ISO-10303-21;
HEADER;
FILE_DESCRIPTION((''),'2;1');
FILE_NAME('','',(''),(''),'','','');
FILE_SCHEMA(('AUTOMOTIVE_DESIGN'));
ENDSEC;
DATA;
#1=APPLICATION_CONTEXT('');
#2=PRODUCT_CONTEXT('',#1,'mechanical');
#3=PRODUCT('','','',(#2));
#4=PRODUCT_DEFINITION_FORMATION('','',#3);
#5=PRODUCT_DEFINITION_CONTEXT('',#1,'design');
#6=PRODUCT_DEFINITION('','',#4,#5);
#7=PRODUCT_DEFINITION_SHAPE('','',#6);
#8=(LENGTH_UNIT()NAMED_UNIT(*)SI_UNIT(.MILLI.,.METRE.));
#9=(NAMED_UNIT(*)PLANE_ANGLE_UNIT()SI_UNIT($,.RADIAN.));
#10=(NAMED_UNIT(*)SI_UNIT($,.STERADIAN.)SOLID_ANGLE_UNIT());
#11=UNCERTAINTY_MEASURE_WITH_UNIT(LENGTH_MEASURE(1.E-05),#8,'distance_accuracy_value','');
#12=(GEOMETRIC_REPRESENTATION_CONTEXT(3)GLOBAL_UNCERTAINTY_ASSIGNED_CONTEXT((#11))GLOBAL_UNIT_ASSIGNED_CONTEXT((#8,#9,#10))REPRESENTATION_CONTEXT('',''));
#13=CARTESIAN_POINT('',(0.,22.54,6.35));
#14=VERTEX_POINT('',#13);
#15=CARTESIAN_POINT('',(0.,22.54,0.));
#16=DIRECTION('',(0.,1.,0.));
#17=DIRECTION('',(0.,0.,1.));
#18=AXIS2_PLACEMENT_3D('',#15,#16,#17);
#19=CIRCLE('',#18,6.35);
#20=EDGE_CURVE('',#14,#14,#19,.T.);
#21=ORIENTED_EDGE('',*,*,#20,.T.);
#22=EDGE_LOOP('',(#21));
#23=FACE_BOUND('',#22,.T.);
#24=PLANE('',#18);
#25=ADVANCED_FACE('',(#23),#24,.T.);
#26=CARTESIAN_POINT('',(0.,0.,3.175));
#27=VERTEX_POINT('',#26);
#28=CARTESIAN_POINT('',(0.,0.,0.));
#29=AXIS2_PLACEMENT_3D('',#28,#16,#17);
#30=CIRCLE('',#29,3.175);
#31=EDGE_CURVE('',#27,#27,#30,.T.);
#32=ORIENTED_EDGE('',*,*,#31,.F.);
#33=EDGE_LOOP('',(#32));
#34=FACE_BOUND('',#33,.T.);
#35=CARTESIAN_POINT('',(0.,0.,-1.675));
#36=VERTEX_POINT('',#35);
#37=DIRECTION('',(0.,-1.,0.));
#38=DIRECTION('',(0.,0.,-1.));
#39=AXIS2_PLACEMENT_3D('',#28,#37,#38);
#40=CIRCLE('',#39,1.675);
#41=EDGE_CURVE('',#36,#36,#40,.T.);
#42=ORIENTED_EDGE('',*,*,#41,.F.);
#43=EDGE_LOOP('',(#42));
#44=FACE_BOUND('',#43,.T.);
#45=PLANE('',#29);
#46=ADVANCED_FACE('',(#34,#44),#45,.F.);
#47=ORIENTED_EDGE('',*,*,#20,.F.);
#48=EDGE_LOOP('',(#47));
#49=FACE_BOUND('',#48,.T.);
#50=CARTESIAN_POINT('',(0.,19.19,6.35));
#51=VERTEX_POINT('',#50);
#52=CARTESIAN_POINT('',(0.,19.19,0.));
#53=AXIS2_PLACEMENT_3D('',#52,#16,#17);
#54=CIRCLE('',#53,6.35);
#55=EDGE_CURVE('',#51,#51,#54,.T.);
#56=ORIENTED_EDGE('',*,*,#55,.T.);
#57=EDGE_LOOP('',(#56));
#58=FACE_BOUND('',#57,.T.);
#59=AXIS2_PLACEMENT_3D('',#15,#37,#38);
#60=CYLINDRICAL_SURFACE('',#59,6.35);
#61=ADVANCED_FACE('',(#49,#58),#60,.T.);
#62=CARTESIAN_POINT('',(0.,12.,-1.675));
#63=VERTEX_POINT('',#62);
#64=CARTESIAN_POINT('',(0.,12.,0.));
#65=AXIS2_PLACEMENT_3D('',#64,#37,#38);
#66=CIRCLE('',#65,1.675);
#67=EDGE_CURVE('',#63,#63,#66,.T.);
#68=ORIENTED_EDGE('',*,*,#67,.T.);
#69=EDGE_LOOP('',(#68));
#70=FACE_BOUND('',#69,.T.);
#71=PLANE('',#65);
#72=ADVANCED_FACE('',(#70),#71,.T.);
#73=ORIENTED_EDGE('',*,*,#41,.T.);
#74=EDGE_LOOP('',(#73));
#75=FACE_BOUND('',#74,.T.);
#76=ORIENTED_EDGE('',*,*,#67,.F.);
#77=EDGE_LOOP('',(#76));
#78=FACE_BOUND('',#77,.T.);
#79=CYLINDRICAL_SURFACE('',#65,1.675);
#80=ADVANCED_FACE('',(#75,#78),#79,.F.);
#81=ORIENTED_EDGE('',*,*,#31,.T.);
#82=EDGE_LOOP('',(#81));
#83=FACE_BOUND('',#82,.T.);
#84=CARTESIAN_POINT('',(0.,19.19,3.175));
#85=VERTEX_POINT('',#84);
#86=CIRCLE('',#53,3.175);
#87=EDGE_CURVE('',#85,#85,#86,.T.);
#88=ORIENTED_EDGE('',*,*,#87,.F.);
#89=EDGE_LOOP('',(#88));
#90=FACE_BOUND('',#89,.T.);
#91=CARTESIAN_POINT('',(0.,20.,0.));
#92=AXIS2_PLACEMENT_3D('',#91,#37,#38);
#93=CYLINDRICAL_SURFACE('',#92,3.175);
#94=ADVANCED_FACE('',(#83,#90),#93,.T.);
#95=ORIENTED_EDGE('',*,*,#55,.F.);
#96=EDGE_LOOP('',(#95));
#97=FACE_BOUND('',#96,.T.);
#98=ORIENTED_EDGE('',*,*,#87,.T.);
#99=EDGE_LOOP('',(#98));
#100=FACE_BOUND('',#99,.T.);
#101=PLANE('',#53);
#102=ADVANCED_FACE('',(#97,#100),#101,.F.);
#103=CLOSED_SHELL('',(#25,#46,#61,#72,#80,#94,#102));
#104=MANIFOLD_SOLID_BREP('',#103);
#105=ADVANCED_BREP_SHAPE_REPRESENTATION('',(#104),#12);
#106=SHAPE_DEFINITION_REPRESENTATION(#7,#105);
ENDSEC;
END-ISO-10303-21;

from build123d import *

# Parameters (mm, degrees)
SKETCH1_R           = 3.175
BOSS_EXTRUDE1_DEPTH = 20
SKETCH2_R           = 1.675
CUT_EXTRUDE1_DEPTH  = 12
SKETCH4_R           = 6.35
BOSS_EXTRUDE2_DEPTH = 2.54
SKETCH6_R           = 6.35
BOSS_EXTRUDE3_DEPTH = 3.35


with BuildPart() as part:
    # Sketch1 → Boss-Extrude1 (new body)
    with BuildSketch(Plane(origin=(0, 0, 0), x_dir=(1, 0, 0), z_dir=(0, 1, 0))):
        Circle(SKETCH1_R)
    extrude(amount=BOSS_EXTRUDE1_DEPTH)

    # Sketch2 → Cut-Extrude1 (cut)
    with BuildSketch(Plane.XZ):
        Circle(SKETCH2_R)
    extrude(amount=-CUT_EXTRUDE1_DEPTH, mode=Mode.SUBTRACT)

    # Sketch4 → Boss-Extrude2 (add)
    with BuildSketch(Plane(origin=(0, 20, 0), x_dir=(1, 0, 0), z_dir=(0, 1, 0))):
        Circle(SKETCH4_R)
    extrude(amount=BOSS_EXTRUDE2_DEPTH)

    # Sketch6 → Boss-Extrude3 (add)
    with BuildSketch(Plane(origin=(0, 22.54, 0), x_dir=(1, 0, 0), z_dir=(0, 1, 0))):
        Circle(SKETCH6_R)
    extrude(amount=-BOSS_EXTRUDE3_DEPTH)


solid = part.part
